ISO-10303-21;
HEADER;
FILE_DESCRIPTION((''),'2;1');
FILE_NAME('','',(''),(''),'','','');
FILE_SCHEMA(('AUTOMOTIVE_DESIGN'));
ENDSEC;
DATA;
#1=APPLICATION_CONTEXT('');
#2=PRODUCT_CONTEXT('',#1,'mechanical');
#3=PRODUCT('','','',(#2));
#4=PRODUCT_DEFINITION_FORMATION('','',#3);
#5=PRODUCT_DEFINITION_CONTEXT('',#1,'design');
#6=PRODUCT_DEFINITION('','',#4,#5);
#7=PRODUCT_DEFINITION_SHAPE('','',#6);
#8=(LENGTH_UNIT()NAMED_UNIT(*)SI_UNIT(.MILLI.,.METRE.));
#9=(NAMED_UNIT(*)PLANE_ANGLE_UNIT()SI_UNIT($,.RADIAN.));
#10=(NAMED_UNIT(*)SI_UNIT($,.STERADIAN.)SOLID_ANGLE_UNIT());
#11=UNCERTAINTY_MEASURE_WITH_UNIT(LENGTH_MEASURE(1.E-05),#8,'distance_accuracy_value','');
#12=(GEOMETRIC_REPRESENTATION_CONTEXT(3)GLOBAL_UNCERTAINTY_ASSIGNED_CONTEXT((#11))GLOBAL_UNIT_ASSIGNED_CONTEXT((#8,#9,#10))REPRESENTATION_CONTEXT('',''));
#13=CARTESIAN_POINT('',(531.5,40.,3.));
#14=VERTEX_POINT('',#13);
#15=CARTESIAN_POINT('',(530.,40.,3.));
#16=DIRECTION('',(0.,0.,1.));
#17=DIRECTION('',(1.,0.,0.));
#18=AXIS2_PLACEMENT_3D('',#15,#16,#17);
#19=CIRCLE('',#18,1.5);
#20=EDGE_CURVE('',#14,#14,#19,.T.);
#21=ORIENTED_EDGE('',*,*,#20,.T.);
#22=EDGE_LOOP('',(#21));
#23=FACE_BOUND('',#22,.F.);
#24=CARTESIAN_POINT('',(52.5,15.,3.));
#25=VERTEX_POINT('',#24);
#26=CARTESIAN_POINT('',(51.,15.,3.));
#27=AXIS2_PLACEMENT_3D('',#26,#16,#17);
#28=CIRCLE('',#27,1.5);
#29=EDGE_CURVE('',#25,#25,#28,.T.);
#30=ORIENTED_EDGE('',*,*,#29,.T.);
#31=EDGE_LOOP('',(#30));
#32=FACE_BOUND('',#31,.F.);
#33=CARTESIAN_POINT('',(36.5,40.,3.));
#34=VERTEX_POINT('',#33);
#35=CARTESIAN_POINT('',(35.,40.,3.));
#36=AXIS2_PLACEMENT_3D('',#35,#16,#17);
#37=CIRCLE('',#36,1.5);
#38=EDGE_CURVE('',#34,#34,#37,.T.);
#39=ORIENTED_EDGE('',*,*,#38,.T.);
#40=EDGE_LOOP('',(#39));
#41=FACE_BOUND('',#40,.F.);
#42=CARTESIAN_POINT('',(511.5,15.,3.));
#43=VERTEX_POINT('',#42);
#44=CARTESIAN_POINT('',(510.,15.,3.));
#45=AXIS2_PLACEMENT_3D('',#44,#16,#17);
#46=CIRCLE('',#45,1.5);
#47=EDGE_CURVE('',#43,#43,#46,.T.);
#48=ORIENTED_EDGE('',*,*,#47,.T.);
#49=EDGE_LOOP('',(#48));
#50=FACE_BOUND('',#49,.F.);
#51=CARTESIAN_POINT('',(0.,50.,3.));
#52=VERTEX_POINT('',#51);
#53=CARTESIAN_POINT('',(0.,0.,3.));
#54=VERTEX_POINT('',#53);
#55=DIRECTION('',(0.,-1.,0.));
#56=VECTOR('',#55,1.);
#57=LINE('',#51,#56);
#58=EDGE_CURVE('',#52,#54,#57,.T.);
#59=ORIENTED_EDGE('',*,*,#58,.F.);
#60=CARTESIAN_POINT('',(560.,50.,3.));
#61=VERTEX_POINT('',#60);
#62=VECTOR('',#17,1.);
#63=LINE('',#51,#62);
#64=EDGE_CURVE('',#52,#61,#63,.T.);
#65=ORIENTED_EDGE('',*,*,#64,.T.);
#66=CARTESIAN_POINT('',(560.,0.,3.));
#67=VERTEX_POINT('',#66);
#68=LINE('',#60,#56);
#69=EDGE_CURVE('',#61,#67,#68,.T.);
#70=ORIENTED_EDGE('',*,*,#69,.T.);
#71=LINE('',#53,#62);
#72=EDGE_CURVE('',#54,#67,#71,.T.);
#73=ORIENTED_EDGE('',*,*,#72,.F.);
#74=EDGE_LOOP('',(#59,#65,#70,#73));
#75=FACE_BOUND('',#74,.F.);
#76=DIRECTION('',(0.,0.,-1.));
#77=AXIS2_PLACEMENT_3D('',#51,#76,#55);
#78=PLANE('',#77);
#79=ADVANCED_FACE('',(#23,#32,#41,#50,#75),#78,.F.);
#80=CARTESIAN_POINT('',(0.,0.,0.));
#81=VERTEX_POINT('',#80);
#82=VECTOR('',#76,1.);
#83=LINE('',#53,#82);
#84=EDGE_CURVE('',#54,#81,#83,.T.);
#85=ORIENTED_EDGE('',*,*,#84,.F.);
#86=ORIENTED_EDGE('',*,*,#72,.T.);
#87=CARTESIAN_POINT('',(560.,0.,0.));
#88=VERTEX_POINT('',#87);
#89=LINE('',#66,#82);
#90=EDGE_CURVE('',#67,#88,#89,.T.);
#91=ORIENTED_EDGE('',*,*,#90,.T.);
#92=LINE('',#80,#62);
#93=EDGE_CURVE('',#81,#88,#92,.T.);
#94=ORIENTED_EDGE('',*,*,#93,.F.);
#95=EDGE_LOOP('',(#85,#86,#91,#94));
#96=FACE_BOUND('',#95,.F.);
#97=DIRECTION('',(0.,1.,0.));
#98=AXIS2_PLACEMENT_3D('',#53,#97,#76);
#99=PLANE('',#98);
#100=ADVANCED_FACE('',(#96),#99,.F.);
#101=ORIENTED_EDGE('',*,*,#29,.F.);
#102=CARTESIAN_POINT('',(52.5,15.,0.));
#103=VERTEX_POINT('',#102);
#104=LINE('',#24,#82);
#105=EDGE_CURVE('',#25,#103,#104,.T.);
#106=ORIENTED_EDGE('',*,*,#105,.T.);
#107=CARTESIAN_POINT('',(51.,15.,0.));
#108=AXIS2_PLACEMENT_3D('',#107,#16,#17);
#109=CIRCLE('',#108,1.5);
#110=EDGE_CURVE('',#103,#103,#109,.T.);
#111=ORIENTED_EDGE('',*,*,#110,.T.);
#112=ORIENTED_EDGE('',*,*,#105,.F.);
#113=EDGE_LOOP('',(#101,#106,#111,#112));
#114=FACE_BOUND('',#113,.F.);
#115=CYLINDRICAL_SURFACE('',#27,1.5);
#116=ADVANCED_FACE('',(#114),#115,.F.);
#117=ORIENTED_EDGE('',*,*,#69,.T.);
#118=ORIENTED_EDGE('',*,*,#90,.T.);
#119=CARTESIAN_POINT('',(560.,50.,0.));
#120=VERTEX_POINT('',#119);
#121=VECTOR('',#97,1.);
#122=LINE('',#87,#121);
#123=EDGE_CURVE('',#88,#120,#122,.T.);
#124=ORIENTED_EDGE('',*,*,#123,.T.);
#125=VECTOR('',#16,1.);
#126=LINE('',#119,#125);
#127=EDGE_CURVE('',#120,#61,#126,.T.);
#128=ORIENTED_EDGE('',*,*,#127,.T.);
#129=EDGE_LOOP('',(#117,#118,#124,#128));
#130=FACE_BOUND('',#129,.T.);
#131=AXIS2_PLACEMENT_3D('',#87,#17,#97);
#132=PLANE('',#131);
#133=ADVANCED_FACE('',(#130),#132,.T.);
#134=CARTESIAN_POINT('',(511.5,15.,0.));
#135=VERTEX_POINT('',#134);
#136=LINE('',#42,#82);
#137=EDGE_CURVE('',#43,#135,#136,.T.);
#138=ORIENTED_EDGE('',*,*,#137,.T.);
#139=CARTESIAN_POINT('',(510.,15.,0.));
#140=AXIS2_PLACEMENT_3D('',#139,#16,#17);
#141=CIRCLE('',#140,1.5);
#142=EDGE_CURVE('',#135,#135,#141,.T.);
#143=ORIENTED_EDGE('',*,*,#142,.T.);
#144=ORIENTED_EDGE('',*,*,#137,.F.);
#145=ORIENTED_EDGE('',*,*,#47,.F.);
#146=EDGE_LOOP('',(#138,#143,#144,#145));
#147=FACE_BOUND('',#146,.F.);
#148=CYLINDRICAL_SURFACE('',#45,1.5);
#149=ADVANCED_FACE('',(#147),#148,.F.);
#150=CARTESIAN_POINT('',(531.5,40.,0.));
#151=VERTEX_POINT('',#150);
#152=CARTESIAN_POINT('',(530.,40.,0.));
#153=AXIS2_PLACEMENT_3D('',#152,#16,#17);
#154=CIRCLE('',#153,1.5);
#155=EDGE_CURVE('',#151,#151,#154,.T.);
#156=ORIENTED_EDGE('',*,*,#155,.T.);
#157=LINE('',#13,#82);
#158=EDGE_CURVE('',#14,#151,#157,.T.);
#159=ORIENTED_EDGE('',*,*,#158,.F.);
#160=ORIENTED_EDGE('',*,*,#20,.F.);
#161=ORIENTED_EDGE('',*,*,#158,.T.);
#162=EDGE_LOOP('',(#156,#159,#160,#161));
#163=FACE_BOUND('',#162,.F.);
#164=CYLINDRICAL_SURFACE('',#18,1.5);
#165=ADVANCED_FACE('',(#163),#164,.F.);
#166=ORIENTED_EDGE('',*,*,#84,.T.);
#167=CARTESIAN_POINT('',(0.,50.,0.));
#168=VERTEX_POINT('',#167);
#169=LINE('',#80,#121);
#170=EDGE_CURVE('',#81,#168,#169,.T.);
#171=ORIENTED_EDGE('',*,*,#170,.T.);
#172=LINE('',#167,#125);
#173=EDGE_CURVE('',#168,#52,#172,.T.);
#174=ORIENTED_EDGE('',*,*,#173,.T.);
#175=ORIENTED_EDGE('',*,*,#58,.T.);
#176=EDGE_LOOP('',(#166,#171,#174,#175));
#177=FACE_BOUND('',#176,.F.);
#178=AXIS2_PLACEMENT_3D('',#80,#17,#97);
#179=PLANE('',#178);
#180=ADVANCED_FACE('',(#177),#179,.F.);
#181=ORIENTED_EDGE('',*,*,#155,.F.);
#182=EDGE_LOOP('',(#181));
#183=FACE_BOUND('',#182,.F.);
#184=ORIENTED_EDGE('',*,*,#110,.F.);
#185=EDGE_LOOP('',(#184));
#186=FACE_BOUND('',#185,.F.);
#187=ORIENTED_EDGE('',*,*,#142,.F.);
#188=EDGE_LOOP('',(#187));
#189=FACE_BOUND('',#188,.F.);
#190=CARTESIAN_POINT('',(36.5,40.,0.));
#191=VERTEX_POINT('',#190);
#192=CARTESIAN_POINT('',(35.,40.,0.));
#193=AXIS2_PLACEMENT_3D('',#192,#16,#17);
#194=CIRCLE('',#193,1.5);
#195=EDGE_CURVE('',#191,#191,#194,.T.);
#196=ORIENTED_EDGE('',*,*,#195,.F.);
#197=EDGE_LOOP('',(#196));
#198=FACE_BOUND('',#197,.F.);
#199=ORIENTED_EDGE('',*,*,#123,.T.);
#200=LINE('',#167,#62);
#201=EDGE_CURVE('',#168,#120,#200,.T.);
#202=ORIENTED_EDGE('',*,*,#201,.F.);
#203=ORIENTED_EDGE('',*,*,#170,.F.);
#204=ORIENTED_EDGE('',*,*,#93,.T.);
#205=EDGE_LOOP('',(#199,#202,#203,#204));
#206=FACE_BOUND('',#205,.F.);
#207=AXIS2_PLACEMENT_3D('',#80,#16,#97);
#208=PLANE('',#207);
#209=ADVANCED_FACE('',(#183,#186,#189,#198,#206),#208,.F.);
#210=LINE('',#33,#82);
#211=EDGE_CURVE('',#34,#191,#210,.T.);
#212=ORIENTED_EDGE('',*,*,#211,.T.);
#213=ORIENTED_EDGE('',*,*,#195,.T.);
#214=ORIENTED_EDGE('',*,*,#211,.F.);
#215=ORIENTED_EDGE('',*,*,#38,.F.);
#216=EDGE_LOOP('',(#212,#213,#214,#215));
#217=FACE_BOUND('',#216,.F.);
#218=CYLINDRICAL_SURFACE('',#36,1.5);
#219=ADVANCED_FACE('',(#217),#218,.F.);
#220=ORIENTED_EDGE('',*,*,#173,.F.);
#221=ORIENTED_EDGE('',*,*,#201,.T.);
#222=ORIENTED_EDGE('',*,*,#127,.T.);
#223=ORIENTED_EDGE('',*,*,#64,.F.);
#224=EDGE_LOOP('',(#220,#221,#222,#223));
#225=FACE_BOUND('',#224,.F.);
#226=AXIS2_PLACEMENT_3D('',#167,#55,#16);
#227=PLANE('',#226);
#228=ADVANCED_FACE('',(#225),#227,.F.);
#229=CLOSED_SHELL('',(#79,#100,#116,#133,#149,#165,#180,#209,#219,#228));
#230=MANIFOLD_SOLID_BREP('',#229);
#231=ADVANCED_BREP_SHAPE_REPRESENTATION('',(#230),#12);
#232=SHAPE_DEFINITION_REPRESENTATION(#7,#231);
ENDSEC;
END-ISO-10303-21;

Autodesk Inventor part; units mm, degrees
ref_plane "YZ Plane" through (0, 0, 0) normal (1, 0, 0) x (0, 1, 0)
ref_plane "XZ Plane" through (0, 0, 0) normal (0, 1, 0) x (-1, 0, 0)
ref_plane "XY Plane" through (0, 0, 0) normal (0, 0, 1) x (1, 0, 0)
sketch "Sketch1" plane through (0, 0, 0) normal (1, 0, 0) x (0, 1, 0)
  line L0 (0, 0) -> (50, 0)
  line L1 (50, 0) -> (50, 3)
  line L2 (50, 3) -> (0, 3)
  line L3 (0, 3) -> (0, 0)
  dimension "d0" = 50
  dimension "d1" = 3
extrude "Extrusion1" add sketch "Sketch1" along normal blind 560
sketch "Sketch2" plane through (0, 0, 3) normal (0, 0, 1) x (1, 0, 0)
  circle A0 centre (35, 40) radius 1.5
  circle A1 centre (51, 15) radius 1.5
  line L0 (0, 0) -> (560, 0) projected
  line L1 (0, 50) -> (560, 50) projected
  line L2 (0, 50) -> (0, 0) projected
  circle A2 centre (530, 40) radius 1.5
  line L3 (560, 50) -> (560, 0) projected
  circle A3 centre (510, 15) radius 1.5
  point P0 (560, 25)
  dimension "d4" = 3
  dimension "d5" = 3
  dimension "d9" = 3
  dimension "d12" = 16
  dimension "d13" = 35
  dimension "d14" = 25
  dimension "d15" = 10
  dimension "d16" = 3
  dimension "d17" = 30
  dimension "d18" = 20
  dimension "d19" = 10
  dimension "d20" = 25
extrude "Extrusion2" cut sketch "Sketch2" against normal blind 10 contours A0 | A1 | A2 | A3
equation "\"d5\" = d4"
equation "\"d9\" = d4"
equation "\"d16\" = d9"
equation "\"d19\" = d15"
equation "\"d20\" = d14"
properties part number "X Rail"
